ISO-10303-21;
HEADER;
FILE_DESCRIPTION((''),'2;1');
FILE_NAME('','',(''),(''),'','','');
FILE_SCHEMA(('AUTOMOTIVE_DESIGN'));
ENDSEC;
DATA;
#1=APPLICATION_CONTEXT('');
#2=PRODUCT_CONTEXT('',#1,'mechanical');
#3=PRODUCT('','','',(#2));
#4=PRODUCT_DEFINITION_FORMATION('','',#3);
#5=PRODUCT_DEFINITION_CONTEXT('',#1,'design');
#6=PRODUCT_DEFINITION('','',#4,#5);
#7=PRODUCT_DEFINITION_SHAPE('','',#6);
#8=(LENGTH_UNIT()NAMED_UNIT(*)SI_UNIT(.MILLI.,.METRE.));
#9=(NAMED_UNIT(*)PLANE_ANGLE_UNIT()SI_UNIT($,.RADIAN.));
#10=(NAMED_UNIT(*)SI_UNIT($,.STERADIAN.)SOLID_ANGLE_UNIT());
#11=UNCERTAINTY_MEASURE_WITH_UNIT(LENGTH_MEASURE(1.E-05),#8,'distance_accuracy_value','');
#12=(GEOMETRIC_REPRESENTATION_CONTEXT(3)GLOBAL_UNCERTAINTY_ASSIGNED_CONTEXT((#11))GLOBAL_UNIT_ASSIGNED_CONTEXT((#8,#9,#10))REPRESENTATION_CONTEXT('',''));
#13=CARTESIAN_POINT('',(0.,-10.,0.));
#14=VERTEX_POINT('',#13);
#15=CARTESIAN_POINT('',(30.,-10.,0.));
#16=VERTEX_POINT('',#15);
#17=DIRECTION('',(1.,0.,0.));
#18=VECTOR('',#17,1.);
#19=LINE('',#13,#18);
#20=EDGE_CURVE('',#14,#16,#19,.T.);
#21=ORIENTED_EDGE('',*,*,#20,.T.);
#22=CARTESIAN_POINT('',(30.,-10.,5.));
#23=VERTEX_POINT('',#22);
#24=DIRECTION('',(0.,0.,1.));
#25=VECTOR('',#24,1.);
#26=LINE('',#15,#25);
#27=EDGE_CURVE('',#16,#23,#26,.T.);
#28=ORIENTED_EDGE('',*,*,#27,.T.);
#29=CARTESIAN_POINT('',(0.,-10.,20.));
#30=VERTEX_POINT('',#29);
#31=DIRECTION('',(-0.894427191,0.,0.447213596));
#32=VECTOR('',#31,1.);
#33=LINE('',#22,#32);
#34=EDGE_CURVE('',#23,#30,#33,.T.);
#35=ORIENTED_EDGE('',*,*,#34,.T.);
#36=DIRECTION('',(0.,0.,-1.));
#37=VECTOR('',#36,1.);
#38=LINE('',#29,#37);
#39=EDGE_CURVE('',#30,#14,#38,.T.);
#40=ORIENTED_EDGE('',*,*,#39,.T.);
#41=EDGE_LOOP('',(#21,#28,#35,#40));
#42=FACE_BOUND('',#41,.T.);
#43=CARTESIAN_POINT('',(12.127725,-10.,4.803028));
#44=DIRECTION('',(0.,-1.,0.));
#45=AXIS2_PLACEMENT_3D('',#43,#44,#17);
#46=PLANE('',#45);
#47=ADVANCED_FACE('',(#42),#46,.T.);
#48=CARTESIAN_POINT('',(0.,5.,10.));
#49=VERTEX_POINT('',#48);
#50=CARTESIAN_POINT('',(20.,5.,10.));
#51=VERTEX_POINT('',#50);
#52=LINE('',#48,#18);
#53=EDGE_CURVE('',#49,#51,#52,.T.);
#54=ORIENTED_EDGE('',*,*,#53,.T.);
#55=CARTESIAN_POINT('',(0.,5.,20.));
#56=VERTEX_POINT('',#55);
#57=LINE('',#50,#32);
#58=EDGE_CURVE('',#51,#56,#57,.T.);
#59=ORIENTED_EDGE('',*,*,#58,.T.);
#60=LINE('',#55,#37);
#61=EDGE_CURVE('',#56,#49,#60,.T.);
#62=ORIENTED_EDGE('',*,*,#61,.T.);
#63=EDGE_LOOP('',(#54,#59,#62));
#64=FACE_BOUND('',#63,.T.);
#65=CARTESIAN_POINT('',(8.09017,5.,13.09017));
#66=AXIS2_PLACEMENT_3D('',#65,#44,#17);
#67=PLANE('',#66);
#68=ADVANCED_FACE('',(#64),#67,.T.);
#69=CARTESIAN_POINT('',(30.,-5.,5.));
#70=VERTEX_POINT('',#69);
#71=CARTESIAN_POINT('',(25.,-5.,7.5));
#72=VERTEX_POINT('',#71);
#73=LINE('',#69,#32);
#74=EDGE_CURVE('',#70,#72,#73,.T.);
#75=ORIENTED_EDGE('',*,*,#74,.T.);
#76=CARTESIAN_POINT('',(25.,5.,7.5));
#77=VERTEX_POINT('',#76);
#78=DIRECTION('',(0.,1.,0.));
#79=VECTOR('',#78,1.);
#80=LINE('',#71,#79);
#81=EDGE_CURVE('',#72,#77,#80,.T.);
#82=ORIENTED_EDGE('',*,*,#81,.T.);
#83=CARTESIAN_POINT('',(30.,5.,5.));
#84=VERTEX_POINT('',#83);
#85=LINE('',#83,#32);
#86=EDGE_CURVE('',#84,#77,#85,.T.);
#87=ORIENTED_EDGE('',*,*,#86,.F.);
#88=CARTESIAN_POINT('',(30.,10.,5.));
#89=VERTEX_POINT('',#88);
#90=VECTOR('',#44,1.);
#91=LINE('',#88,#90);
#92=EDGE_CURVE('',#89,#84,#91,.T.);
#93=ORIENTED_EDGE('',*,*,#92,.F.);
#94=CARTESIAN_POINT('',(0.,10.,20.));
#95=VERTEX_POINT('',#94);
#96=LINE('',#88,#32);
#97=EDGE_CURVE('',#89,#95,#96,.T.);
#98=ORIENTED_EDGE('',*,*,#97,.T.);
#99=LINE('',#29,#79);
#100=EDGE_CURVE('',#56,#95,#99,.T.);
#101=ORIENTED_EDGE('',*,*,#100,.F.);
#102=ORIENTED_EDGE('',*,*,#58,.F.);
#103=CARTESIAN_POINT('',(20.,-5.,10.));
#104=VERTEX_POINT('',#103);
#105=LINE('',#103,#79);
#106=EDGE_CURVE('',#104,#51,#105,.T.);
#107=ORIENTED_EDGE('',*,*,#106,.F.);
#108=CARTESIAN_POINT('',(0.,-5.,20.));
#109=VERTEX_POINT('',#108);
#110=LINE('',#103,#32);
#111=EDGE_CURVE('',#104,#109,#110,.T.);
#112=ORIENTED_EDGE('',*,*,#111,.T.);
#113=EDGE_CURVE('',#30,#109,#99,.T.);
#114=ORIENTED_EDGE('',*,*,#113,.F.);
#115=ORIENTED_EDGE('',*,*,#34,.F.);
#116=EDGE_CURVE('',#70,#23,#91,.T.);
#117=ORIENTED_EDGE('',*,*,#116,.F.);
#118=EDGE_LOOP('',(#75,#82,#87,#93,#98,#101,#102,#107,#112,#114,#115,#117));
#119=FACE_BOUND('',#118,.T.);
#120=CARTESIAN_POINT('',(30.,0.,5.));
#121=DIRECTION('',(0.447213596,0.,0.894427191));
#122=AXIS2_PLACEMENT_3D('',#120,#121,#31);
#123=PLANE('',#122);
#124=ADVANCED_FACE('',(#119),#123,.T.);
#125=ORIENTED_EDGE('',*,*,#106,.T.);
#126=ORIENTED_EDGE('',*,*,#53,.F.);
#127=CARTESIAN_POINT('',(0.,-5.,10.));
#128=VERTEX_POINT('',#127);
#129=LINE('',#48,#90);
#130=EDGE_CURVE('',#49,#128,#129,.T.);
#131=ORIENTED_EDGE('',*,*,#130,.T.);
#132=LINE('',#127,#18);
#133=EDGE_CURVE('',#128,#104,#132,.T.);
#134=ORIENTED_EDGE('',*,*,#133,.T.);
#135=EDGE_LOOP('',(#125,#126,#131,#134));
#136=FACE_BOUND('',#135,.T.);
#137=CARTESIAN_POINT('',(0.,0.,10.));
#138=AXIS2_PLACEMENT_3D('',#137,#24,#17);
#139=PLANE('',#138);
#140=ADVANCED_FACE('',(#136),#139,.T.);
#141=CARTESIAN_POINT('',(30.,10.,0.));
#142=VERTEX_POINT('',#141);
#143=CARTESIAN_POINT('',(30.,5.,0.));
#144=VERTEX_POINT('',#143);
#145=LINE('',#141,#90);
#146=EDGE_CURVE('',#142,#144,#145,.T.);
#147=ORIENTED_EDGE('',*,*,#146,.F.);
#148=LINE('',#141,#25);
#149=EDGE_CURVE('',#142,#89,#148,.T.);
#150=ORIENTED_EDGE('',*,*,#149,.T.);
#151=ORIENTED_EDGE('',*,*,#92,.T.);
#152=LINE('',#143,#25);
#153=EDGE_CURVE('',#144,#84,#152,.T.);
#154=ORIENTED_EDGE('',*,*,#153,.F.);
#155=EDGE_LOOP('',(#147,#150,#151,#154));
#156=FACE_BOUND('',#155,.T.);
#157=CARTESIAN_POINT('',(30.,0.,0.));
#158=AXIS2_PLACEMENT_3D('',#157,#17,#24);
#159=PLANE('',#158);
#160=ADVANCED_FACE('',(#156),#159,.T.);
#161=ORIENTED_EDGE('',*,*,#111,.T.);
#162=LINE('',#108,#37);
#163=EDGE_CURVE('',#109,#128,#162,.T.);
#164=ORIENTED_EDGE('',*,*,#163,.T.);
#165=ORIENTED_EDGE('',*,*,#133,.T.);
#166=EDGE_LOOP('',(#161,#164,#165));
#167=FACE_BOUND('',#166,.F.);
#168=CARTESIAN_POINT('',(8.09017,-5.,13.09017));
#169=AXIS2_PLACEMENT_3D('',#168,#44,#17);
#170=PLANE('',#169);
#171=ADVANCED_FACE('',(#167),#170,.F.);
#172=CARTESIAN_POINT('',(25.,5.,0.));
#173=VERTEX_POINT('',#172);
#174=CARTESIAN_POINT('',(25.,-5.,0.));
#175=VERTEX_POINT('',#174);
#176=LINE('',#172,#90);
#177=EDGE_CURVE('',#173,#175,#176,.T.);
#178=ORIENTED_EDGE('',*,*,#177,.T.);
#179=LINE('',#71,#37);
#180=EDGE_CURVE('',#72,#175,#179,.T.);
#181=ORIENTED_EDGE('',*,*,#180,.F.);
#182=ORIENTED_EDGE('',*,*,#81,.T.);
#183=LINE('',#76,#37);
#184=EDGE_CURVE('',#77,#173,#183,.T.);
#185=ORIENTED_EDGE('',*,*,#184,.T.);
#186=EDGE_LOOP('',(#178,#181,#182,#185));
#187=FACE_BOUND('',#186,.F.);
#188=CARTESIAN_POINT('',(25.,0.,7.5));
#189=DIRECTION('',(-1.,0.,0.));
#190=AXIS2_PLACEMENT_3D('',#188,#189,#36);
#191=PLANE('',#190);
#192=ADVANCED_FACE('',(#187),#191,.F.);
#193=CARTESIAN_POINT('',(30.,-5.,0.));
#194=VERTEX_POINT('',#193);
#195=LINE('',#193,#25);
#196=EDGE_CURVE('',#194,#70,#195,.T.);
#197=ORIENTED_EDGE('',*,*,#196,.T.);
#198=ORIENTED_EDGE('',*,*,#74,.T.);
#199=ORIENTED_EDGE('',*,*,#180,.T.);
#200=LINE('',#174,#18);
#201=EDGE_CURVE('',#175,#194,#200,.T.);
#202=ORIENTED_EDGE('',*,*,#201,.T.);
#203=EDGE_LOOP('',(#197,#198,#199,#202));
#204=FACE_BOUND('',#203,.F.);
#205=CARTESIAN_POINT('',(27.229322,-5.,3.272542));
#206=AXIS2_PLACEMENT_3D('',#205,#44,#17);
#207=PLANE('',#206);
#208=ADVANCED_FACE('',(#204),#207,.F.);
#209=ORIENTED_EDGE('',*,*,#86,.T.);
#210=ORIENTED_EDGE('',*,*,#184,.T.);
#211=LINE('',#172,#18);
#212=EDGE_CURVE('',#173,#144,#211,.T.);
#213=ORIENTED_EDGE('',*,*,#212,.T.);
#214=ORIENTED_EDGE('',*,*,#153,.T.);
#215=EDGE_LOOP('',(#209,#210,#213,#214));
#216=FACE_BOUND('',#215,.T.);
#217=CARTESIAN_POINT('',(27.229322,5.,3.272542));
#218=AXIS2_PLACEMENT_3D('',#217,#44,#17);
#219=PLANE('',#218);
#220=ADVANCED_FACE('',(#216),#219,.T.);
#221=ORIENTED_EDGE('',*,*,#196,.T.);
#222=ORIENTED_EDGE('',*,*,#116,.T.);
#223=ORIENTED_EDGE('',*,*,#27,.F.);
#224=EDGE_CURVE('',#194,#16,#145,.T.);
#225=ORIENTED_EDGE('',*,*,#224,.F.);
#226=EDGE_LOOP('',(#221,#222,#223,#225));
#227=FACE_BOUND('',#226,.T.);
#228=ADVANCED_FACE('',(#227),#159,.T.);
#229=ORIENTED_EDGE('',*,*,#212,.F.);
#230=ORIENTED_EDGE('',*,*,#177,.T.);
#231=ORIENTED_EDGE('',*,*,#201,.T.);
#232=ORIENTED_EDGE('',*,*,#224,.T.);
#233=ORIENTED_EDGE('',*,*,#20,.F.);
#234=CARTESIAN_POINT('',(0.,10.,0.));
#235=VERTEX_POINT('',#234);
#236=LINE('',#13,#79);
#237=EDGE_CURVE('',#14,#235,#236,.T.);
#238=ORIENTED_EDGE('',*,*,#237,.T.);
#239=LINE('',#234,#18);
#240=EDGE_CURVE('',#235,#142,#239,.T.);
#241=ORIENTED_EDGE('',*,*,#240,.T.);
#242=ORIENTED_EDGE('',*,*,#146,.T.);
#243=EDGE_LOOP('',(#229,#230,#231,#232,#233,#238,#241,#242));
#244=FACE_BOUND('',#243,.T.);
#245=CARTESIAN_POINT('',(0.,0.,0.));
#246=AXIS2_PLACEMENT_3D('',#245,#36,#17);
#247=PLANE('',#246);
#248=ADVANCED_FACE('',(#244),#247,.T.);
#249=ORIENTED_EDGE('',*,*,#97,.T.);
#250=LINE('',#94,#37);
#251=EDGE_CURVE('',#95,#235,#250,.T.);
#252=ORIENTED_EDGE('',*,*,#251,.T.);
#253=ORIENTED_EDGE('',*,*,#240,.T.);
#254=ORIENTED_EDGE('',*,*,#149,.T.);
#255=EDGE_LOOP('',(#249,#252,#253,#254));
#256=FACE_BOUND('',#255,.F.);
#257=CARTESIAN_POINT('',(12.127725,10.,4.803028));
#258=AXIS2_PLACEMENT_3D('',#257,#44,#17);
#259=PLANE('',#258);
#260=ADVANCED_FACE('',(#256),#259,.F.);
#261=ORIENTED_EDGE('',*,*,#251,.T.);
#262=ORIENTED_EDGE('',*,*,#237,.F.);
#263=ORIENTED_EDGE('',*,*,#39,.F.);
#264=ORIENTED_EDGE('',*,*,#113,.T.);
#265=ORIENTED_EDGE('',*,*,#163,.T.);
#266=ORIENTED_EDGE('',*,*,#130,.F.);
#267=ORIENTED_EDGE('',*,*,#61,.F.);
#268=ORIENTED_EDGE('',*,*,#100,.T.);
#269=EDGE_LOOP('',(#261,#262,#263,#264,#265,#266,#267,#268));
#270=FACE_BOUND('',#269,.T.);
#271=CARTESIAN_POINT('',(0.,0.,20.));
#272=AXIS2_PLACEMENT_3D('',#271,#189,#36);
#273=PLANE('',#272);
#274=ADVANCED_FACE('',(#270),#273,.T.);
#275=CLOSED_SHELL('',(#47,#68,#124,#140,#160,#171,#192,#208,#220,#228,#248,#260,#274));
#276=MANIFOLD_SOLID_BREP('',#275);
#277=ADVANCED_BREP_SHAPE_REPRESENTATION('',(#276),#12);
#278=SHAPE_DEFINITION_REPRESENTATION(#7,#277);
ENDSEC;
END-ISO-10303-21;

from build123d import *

# Parameters (mm, degrees)
F1_DEPTH = 10
F2_DEPTH = 5


with BuildPart() as f1:
    # F0 (on Front) → F1 (new body, symmetric)
    with BuildSketch(Plane.XZ):
        Polygon((0, 10), (0, 0), (25, 0), (25, 7.5), (20, 10), align=None)
        Polygon((0, 20), (0, 10), (20, 10), align=None)
        Polygon((25, 7.5), (25, 0), (30, 0), (30, 5), align=None)
    extrude(amount=F1_DEPTH, both=True)

    # F0 (on Front) → F2 (cut, symmetric)
    with BuildSketch(Plane.XZ):
        Polygon((0, 20), (0, 10), (20, 10), align=None)
        Polygon((25, 7.5), (25, 0), (30, 0), (30, 5), align=None)
    extrude(amount=F2_DEPTH, both=True, mode=Mode.SUBTRACT)


solid = f1.part
